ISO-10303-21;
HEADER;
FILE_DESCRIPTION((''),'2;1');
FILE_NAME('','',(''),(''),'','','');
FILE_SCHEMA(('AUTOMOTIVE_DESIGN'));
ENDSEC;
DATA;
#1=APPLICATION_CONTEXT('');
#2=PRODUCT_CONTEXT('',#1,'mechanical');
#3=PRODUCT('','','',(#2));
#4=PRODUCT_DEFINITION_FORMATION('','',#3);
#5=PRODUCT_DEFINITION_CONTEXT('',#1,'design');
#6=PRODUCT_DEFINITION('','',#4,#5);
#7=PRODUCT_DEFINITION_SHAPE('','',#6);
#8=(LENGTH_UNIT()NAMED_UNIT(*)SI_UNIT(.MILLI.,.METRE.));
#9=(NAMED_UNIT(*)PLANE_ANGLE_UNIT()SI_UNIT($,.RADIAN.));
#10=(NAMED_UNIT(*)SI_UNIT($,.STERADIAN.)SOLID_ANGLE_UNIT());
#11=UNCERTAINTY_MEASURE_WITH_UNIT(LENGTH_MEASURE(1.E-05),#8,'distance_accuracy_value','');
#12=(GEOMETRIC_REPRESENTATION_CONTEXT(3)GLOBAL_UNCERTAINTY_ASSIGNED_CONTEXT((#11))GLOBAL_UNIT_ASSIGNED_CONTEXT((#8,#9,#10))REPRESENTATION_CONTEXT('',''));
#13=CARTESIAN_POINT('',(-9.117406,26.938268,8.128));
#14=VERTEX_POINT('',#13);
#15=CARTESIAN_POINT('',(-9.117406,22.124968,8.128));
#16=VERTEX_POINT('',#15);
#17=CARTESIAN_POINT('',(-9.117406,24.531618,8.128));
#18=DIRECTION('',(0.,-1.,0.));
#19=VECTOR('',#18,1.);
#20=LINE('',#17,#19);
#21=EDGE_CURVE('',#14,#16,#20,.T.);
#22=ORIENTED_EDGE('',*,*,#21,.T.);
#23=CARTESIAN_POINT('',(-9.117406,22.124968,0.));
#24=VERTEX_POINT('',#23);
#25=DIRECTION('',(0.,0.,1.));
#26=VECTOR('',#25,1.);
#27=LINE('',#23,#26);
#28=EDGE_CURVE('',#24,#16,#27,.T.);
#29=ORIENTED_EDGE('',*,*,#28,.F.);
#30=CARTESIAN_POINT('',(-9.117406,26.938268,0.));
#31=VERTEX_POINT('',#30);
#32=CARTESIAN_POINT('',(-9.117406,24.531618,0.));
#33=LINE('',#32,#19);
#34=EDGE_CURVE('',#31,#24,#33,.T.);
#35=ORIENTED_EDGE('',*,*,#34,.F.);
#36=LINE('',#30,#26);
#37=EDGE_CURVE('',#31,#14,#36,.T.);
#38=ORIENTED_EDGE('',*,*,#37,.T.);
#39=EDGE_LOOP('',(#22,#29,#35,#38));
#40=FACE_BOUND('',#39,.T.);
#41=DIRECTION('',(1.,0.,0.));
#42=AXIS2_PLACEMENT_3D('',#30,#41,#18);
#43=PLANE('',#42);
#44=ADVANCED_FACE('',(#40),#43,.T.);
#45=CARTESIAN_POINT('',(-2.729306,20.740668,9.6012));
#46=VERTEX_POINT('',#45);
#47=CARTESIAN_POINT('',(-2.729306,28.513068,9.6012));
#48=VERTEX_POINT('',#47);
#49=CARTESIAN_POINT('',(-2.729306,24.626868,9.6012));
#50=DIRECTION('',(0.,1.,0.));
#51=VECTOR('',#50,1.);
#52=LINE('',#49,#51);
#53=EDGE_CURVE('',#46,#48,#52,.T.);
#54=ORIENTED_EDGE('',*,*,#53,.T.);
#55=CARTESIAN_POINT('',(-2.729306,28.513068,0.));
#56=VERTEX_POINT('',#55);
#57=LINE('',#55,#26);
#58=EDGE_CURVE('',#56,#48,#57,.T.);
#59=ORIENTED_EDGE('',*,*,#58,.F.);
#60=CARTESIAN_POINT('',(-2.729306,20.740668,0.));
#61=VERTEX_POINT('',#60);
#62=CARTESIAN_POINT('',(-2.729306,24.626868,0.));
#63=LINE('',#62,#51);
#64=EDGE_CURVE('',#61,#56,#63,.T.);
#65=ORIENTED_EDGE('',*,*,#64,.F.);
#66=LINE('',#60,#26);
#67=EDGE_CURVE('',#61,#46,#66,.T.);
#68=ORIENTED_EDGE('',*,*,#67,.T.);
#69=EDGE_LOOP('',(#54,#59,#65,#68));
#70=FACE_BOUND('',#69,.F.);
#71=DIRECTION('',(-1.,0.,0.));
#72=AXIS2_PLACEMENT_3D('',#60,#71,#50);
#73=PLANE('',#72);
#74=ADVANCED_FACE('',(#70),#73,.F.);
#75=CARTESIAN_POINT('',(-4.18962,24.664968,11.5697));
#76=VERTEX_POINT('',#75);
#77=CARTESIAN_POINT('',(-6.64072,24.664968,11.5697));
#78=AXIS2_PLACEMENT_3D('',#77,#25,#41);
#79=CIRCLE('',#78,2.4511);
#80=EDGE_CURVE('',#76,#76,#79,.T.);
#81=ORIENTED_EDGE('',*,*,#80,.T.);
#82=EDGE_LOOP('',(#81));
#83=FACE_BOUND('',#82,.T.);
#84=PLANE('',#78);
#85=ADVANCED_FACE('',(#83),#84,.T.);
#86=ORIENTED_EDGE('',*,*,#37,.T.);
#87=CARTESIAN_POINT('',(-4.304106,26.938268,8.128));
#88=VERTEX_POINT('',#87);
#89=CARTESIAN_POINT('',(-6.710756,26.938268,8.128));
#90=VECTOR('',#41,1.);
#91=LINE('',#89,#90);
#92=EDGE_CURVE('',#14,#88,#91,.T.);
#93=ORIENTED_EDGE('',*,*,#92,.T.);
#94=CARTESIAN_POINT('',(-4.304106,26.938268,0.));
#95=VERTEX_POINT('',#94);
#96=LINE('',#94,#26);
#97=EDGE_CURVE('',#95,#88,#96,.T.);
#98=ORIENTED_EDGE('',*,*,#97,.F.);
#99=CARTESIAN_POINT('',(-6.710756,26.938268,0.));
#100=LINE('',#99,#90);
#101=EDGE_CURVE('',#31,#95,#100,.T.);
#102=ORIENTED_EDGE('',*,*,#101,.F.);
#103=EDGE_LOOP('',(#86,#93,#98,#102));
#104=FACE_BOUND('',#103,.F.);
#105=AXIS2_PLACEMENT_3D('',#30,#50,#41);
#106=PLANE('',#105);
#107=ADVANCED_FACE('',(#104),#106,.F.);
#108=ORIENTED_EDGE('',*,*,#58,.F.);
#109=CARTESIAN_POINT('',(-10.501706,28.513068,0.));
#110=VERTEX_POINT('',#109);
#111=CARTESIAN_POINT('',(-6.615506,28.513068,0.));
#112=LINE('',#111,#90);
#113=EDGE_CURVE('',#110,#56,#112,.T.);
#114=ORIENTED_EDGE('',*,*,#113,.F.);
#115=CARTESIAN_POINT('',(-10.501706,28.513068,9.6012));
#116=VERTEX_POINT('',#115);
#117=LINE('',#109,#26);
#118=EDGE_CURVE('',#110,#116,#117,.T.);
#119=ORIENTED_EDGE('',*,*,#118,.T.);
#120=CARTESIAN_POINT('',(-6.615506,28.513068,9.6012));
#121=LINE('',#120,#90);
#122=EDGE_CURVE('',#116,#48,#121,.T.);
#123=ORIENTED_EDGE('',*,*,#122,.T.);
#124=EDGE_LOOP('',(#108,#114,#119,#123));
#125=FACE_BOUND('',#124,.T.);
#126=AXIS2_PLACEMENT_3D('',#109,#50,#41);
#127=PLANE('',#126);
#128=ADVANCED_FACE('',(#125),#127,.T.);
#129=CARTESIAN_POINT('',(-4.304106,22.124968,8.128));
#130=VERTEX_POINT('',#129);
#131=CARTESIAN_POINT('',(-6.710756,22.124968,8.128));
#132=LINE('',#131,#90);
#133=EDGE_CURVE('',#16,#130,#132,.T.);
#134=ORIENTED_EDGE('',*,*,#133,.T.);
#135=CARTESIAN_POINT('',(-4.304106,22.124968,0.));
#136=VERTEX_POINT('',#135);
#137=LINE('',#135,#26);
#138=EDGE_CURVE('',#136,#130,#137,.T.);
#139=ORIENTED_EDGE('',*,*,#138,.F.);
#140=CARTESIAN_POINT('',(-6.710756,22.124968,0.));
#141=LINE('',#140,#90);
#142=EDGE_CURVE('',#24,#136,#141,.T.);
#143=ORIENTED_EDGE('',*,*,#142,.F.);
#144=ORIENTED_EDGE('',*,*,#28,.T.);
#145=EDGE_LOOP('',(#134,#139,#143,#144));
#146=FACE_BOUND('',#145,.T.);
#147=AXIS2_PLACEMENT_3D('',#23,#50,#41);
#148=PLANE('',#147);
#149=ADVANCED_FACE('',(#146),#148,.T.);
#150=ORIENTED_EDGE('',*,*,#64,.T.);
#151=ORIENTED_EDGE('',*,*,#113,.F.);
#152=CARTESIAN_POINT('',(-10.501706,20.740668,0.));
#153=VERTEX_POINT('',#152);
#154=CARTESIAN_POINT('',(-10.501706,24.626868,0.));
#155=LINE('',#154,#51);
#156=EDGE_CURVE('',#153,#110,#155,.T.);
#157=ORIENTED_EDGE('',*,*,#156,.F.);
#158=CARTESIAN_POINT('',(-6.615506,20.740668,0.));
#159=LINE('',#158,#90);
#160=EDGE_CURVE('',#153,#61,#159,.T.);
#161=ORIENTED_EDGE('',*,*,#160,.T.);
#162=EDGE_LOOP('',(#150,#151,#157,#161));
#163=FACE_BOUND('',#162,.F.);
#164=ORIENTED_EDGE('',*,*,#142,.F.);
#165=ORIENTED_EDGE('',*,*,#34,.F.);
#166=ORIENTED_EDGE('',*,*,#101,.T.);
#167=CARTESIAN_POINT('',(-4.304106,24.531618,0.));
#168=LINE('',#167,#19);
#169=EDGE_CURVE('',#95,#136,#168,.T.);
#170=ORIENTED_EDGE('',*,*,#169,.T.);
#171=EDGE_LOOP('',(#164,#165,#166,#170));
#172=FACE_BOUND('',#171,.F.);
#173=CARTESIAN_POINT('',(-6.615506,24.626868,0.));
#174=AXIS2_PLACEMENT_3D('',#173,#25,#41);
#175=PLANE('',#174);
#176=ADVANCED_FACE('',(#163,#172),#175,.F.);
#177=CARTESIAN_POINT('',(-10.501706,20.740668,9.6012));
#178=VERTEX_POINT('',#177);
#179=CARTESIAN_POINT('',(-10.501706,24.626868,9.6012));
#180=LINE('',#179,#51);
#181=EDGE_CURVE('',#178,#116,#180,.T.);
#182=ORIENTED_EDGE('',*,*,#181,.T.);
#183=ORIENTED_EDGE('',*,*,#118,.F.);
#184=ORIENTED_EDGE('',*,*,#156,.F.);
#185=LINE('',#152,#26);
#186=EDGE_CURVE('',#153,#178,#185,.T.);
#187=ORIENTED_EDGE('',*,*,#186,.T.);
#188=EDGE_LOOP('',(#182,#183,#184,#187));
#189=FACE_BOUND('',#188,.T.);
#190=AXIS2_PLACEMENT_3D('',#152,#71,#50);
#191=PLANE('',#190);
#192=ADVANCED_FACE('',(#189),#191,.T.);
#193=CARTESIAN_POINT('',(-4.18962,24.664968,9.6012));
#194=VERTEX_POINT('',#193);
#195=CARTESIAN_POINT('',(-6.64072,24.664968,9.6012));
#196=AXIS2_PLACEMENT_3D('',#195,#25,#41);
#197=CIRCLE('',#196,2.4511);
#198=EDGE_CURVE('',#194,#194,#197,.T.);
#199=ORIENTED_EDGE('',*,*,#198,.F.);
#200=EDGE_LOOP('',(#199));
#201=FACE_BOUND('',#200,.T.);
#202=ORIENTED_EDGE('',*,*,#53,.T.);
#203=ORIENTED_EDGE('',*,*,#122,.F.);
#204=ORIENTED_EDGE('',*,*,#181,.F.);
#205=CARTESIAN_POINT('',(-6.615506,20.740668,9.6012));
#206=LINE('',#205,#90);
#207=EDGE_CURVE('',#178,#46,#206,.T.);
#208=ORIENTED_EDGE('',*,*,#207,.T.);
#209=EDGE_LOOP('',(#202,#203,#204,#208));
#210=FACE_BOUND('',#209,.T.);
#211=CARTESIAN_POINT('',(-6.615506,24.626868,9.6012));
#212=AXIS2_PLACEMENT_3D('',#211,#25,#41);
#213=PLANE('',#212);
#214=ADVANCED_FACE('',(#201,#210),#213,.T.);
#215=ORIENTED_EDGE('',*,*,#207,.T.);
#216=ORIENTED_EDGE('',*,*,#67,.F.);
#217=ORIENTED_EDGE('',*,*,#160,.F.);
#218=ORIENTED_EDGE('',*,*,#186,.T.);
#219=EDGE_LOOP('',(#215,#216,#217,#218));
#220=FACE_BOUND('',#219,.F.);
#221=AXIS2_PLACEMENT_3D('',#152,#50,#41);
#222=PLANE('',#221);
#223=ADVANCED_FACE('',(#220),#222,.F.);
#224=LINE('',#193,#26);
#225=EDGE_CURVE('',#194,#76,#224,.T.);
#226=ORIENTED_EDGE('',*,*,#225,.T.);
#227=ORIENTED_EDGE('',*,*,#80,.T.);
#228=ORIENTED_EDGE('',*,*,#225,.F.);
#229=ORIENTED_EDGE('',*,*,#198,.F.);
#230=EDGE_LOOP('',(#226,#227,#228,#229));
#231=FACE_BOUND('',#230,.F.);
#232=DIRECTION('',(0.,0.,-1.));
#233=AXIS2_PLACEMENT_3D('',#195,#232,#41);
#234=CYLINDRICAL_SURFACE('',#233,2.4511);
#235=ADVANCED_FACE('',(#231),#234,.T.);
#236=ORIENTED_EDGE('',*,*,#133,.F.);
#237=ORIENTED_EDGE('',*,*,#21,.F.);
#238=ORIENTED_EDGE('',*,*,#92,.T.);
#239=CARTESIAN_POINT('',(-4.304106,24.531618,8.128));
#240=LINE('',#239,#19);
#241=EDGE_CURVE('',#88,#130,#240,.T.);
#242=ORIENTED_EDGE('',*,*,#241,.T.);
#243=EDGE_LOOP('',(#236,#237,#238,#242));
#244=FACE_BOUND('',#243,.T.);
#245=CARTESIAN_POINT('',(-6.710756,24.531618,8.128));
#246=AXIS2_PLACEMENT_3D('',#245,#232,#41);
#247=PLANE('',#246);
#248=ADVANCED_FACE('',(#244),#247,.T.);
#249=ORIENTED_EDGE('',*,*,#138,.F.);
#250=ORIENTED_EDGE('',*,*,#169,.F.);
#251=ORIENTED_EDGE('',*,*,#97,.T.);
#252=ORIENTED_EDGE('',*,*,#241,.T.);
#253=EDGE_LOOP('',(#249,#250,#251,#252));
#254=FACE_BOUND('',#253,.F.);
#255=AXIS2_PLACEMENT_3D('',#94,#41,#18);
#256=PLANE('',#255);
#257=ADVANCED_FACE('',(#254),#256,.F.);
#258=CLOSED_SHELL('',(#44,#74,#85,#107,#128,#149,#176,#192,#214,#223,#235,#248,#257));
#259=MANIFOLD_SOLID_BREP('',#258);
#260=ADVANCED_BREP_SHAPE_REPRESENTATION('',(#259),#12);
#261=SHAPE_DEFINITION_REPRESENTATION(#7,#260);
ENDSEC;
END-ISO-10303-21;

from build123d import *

# Parameters (mm, degrees)
F0_W     = 7.7724
F0_H     = 7.7724
F1_DEPTH = 9.6012
F2_R     = 2.4511
F3_DEPTH = 1.9685
F4_W     = 4.8133
F4_H     = 4.8133
F5_DEPTH = 8.128


with BuildPart() as f1:
    # F0 (on Top) → F1 (new body)
    with BuildSketch(Plane.XY):
        with Locations((-6.615506, 24.626868)):
            Rectangle(F0_W, F0_H)
    extrude(amount=F1_DEPTH)

    # F2 (on face) → F3 (join)
    with BuildSketch(Plane.XY.offset(9.6012)):
        with Locations((-6.64072, 24.664968)):
            Circle(F2_R)
    extrude(amount=F3_DEPTH)

    # F4 (on face) → F5 (cut)
    with BuildSketch(Plane(origin=(0, 0, 0), x_dir=(1, 0, 0), z_dir=(0, 0, -1))):
        with Locations((-6.710756, -24.531618)):
            Rectangle(F4_W, F4_H)
    extrude(amount=-F5_DEPTH, mode=Mode.SUBTRACT)


solid = f1.part
